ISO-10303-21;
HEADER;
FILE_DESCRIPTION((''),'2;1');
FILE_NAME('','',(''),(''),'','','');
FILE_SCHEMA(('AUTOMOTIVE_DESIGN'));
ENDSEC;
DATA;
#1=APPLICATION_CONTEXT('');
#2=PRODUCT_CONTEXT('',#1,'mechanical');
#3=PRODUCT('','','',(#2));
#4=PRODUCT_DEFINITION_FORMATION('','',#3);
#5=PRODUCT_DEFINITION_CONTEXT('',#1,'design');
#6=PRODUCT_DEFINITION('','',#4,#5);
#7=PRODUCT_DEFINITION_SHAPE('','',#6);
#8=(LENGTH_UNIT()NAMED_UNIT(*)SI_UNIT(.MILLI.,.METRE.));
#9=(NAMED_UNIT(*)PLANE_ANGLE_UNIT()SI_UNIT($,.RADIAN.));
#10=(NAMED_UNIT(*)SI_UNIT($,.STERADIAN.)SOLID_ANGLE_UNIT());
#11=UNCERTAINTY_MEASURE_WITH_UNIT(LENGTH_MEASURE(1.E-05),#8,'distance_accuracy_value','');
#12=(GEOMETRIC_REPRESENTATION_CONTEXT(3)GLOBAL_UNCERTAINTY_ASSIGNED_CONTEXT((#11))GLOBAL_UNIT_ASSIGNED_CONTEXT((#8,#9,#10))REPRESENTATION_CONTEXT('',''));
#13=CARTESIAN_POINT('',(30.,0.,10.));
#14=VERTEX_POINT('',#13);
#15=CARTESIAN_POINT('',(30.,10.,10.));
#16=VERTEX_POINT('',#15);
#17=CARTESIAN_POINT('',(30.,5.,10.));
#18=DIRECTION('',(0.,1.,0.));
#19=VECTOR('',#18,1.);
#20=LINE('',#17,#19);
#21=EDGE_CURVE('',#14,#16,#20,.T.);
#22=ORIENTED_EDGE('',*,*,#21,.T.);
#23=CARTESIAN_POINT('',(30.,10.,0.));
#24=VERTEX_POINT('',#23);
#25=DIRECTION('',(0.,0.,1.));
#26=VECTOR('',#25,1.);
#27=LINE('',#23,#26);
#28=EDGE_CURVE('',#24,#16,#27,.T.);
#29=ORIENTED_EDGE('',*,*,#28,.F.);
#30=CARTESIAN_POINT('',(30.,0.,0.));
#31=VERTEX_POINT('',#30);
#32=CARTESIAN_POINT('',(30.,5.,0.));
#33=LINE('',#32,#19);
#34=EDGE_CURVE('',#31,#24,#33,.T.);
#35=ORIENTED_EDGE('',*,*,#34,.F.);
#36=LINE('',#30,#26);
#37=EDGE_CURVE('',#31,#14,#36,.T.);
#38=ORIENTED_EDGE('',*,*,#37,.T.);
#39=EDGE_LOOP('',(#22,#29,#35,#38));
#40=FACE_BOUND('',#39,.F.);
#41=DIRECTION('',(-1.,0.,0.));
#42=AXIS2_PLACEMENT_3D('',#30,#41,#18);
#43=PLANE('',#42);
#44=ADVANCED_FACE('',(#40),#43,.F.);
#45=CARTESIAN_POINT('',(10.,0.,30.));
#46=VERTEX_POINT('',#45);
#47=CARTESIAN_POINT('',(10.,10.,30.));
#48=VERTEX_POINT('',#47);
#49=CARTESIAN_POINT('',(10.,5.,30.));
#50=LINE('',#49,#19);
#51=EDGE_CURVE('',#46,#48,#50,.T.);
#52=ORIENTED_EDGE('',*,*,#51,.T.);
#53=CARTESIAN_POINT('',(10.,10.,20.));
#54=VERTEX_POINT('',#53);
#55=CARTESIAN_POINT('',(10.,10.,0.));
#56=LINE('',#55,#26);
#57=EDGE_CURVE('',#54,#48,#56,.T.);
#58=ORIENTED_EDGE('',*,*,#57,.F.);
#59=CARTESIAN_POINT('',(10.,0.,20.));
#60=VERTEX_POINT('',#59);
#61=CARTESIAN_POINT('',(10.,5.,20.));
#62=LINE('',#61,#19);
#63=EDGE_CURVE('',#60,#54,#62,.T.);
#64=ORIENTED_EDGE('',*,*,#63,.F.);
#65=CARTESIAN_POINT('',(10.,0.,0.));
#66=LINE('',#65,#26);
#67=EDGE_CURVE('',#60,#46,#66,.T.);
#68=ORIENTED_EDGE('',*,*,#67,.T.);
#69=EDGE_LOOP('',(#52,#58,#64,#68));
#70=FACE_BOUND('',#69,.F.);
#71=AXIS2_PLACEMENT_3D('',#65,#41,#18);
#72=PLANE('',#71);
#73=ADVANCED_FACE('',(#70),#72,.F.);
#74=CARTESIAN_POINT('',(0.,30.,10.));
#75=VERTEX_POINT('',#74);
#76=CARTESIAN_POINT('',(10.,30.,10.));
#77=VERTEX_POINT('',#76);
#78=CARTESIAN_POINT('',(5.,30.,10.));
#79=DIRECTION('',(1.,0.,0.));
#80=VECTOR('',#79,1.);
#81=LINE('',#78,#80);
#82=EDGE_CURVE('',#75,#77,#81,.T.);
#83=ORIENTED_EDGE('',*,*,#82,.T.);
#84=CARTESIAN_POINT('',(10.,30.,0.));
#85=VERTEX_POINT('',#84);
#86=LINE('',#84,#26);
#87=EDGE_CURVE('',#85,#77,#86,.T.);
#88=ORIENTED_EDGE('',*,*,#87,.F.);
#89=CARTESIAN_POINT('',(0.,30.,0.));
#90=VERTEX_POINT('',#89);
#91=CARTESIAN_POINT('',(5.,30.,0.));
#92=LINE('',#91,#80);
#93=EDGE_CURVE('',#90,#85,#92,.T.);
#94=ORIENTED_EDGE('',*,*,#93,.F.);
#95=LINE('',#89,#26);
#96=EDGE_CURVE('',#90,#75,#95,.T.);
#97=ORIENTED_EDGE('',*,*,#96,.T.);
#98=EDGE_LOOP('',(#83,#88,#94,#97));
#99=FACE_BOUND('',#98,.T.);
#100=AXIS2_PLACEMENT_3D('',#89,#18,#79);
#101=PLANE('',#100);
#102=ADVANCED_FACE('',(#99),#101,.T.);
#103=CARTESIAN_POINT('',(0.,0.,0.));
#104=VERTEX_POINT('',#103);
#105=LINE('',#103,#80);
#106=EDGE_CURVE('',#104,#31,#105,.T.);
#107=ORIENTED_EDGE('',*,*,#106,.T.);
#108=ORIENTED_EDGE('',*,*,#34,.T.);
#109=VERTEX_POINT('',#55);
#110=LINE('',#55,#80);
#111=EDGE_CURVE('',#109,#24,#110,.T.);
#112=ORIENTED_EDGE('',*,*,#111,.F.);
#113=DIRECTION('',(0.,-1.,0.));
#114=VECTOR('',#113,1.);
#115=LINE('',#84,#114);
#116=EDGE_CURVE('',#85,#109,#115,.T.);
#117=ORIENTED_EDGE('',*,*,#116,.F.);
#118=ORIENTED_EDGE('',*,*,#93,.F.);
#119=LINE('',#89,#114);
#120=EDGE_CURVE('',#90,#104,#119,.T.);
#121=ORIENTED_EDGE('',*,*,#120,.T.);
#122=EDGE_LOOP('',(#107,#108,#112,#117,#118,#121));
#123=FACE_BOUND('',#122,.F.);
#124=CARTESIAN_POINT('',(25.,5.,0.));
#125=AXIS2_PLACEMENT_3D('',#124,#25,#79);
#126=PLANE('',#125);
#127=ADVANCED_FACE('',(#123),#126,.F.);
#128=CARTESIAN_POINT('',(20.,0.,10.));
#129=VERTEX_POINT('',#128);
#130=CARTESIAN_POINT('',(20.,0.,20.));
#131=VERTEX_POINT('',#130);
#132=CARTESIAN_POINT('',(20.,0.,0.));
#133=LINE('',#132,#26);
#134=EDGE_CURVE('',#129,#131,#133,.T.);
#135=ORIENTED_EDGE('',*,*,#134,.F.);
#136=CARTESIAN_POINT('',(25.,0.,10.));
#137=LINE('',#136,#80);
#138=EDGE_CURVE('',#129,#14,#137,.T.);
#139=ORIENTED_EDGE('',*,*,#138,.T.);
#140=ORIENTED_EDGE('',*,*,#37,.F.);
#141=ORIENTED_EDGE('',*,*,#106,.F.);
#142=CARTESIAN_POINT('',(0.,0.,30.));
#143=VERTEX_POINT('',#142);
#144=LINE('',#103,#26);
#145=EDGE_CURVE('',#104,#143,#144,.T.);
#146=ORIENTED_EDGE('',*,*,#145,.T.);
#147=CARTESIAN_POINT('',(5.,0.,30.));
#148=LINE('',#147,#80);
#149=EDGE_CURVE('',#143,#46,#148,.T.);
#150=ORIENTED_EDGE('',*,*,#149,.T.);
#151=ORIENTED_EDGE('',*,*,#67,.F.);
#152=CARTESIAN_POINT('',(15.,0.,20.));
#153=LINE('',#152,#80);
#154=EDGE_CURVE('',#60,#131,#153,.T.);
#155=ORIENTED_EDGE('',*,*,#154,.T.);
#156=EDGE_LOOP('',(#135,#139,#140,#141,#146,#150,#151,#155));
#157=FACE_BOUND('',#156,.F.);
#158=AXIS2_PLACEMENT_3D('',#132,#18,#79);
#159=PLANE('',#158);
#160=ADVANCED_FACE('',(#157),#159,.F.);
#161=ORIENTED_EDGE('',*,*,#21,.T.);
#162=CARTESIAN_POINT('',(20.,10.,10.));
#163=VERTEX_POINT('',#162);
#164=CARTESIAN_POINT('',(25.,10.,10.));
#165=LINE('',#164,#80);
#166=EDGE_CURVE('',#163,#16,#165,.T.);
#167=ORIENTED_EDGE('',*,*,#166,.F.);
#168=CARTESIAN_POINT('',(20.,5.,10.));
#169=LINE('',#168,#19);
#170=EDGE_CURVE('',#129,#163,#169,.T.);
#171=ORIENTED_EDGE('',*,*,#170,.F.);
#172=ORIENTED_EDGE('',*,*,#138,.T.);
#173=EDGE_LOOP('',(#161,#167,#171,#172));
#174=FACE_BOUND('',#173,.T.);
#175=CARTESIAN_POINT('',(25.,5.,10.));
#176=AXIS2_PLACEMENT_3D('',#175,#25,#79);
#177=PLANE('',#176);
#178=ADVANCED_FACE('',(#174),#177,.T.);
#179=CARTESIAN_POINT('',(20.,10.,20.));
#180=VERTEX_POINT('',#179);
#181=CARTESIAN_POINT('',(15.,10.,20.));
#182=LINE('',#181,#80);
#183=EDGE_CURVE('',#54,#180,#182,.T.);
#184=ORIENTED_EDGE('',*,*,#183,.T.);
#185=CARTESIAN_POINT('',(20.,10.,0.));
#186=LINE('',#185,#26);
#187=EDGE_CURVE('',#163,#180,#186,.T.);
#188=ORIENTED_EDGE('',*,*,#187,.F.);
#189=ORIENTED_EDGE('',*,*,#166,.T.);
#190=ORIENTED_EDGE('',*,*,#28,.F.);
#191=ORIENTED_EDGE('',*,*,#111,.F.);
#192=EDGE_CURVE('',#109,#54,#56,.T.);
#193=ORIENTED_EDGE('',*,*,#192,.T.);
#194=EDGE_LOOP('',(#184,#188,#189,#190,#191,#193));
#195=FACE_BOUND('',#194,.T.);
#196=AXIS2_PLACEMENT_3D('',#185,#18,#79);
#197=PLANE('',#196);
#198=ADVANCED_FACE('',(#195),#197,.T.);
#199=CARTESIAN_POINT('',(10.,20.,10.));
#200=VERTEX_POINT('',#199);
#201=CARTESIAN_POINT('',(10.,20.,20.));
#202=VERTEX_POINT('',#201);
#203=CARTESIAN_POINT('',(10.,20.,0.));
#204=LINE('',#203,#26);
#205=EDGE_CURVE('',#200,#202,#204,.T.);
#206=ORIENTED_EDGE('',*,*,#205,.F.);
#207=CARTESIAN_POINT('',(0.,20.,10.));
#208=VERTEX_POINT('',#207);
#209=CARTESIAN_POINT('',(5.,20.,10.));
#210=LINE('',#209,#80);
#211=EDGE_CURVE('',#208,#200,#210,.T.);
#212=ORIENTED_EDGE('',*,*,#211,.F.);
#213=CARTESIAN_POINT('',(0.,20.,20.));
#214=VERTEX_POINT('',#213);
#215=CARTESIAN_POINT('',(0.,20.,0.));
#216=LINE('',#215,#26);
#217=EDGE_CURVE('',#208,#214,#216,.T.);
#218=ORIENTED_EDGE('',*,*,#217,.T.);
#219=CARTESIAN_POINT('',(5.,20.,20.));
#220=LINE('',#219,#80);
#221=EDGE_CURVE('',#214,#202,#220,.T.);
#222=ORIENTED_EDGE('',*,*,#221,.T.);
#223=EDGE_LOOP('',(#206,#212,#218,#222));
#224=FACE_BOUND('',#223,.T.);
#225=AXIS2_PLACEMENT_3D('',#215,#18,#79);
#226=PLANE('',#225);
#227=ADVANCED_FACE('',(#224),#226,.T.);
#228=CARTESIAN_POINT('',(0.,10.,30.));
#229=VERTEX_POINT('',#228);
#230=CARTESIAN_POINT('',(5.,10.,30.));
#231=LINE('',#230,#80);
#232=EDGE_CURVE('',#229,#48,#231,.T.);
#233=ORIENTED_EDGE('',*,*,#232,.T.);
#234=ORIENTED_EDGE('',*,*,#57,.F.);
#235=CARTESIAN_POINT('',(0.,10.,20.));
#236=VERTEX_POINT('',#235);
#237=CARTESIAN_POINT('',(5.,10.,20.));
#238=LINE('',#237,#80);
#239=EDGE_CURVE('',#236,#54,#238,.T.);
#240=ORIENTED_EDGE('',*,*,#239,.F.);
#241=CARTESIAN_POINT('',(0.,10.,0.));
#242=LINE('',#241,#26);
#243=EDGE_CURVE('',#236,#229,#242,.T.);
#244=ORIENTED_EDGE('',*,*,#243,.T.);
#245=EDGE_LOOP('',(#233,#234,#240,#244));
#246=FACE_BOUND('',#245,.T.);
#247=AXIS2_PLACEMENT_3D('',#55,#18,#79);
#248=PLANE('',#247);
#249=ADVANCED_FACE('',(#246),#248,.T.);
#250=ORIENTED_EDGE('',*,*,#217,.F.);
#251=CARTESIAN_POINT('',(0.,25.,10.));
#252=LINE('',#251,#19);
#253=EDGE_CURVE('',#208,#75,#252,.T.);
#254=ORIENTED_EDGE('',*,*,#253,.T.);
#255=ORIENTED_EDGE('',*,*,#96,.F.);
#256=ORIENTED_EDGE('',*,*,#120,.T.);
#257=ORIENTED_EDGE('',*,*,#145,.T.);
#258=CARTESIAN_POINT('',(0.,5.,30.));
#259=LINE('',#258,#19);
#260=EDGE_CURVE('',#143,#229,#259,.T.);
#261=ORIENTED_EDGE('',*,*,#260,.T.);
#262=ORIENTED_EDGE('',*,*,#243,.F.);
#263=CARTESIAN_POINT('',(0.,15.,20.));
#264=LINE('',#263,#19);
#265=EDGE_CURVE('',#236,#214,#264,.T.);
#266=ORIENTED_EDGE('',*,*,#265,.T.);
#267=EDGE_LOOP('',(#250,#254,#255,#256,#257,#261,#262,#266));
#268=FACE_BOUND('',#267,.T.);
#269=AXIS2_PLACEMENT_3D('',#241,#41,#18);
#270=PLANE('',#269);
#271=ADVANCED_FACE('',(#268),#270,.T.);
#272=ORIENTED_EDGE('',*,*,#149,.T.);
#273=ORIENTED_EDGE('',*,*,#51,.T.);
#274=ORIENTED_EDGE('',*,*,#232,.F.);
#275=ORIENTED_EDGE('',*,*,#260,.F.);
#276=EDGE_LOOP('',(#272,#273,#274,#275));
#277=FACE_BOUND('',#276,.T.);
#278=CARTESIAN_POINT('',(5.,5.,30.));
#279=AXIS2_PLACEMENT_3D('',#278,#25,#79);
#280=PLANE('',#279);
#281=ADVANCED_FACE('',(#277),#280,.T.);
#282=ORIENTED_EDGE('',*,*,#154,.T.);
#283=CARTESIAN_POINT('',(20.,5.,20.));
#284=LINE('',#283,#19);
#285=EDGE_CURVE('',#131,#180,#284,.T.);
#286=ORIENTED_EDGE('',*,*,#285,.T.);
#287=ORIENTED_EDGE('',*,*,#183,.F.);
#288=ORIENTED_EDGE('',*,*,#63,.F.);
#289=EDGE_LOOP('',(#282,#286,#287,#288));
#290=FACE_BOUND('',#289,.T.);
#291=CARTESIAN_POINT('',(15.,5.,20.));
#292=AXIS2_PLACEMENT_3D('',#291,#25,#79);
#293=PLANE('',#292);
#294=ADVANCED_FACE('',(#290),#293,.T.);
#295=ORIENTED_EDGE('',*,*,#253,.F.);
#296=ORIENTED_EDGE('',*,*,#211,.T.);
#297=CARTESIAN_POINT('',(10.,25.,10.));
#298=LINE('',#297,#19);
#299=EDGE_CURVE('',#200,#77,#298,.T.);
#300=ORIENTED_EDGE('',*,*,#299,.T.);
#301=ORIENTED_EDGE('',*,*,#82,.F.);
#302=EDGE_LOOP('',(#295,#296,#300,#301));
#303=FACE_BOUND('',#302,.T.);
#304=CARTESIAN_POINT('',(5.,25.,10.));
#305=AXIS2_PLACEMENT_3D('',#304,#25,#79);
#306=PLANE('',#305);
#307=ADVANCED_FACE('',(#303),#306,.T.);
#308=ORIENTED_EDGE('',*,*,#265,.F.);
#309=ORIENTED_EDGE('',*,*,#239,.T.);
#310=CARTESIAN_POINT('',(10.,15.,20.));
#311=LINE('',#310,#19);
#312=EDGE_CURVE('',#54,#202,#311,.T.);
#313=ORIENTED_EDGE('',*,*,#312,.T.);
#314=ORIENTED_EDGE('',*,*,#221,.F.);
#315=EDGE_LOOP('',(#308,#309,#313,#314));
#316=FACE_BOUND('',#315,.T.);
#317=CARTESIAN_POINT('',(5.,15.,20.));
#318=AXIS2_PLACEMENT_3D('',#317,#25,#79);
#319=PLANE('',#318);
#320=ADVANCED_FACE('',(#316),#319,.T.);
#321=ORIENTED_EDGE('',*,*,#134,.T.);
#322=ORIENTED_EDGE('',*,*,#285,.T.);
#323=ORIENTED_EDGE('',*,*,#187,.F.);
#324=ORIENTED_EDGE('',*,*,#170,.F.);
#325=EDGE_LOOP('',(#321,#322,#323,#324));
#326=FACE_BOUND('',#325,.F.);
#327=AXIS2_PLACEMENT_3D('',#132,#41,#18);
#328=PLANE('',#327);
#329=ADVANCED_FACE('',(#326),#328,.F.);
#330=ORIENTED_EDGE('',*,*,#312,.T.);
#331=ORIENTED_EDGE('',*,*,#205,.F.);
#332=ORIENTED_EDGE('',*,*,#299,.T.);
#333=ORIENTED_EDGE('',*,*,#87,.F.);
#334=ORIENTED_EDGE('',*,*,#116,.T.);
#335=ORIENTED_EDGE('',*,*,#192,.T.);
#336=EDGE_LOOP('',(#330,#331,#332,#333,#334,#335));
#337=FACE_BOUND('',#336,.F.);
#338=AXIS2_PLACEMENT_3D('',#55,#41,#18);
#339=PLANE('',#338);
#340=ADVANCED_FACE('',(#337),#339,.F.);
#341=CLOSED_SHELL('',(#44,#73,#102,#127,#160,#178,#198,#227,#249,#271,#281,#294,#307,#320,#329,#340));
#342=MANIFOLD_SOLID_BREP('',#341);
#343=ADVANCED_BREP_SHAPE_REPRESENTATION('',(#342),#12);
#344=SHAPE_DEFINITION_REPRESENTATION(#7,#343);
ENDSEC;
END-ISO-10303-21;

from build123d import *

# Parameters (mm, degrees)
BOX_W        = 10
BOX_H        = 10
BOX_DEPTH    = 30
BOX001_W     = 10
BOX001_H     = 10
BOX001_DEPTH = 20
BOX002_W     = 10
BOX002_H     = 10
BOX002_DEPTH = 20
BOX003_W     = 10
BOX003_H     = 10
BOX003_DEPTH = 10
BOX004_W     = 10
BOX004_H     = 10
BOX004_DEPTH = 10


with BuildPart() as nivell1_cub1:
    # Box → Box (new body)
    with BuildSketch(Plane.XY):
        with Locations((5, 5)):
            Rectangle(BOX_W, BOX_H)
    extrude(amount=BOX_DEPTH)


with BuildPart() as nivell1_cub2:
    # Box001 → Box001 (new body)
    with BuildSketch(Plane(origin=(10, 0, 0), x_dir=(1, 0, 0), z_dir=(0, 0, 1))):
        with Locations((5, 5)):
            Rectangle(BOX001_W, BOX001_H)
    extrude(amount=BOX001_DEPTH)


with BuildPart() as nivell1_cub3:
    # Box002 → Box002 (new body)
    with BuildSketch(Plane(origin=(0, 10, 0), x_dir=(1, 0, 0), z_dir=(0, 0, 1))):
        with Locations((5, 5)):
            Rectangle(BOX002_W, BOX002_H)
    extrude(amount=BOX002_DEPTH)


with BuildPart() as nivell1_cub4:
    # Box003 → Box003 (new body)
    with BuildSketch(Plane(origin=(20, 0, 0), x_dir=(1, 0, 0), z_dir=(0, 0, 1))):
        with Locations((5, 5)):
            Rectangle(BOX003_W, BOX003_H)
    extrude(amount=BOX003_DEPTH)


with BuildPart() as fusion:
    # Box004 → Box004 (new body)
    with BuildSketch(Plane(origin=(0, 20, 0), x_dir=(1, 0, 0), z_dir=(0, 0, 1))):
        with Locations((5, 5)):
            Rectangle(BOX004_W, BOX004_H)
    extrude(amount=BOX004_DEPTH)

    # Fusion: union nivell1_cub1, nivell1_cub2, nivell1_cub3, nivell1_cub4
    add(nivell1_cub1.part)
    add(nivell1_cub2.part)
    add(nivell1_cub3.part)
    add(nivell1_cub4.part)


solid = fusion.part
